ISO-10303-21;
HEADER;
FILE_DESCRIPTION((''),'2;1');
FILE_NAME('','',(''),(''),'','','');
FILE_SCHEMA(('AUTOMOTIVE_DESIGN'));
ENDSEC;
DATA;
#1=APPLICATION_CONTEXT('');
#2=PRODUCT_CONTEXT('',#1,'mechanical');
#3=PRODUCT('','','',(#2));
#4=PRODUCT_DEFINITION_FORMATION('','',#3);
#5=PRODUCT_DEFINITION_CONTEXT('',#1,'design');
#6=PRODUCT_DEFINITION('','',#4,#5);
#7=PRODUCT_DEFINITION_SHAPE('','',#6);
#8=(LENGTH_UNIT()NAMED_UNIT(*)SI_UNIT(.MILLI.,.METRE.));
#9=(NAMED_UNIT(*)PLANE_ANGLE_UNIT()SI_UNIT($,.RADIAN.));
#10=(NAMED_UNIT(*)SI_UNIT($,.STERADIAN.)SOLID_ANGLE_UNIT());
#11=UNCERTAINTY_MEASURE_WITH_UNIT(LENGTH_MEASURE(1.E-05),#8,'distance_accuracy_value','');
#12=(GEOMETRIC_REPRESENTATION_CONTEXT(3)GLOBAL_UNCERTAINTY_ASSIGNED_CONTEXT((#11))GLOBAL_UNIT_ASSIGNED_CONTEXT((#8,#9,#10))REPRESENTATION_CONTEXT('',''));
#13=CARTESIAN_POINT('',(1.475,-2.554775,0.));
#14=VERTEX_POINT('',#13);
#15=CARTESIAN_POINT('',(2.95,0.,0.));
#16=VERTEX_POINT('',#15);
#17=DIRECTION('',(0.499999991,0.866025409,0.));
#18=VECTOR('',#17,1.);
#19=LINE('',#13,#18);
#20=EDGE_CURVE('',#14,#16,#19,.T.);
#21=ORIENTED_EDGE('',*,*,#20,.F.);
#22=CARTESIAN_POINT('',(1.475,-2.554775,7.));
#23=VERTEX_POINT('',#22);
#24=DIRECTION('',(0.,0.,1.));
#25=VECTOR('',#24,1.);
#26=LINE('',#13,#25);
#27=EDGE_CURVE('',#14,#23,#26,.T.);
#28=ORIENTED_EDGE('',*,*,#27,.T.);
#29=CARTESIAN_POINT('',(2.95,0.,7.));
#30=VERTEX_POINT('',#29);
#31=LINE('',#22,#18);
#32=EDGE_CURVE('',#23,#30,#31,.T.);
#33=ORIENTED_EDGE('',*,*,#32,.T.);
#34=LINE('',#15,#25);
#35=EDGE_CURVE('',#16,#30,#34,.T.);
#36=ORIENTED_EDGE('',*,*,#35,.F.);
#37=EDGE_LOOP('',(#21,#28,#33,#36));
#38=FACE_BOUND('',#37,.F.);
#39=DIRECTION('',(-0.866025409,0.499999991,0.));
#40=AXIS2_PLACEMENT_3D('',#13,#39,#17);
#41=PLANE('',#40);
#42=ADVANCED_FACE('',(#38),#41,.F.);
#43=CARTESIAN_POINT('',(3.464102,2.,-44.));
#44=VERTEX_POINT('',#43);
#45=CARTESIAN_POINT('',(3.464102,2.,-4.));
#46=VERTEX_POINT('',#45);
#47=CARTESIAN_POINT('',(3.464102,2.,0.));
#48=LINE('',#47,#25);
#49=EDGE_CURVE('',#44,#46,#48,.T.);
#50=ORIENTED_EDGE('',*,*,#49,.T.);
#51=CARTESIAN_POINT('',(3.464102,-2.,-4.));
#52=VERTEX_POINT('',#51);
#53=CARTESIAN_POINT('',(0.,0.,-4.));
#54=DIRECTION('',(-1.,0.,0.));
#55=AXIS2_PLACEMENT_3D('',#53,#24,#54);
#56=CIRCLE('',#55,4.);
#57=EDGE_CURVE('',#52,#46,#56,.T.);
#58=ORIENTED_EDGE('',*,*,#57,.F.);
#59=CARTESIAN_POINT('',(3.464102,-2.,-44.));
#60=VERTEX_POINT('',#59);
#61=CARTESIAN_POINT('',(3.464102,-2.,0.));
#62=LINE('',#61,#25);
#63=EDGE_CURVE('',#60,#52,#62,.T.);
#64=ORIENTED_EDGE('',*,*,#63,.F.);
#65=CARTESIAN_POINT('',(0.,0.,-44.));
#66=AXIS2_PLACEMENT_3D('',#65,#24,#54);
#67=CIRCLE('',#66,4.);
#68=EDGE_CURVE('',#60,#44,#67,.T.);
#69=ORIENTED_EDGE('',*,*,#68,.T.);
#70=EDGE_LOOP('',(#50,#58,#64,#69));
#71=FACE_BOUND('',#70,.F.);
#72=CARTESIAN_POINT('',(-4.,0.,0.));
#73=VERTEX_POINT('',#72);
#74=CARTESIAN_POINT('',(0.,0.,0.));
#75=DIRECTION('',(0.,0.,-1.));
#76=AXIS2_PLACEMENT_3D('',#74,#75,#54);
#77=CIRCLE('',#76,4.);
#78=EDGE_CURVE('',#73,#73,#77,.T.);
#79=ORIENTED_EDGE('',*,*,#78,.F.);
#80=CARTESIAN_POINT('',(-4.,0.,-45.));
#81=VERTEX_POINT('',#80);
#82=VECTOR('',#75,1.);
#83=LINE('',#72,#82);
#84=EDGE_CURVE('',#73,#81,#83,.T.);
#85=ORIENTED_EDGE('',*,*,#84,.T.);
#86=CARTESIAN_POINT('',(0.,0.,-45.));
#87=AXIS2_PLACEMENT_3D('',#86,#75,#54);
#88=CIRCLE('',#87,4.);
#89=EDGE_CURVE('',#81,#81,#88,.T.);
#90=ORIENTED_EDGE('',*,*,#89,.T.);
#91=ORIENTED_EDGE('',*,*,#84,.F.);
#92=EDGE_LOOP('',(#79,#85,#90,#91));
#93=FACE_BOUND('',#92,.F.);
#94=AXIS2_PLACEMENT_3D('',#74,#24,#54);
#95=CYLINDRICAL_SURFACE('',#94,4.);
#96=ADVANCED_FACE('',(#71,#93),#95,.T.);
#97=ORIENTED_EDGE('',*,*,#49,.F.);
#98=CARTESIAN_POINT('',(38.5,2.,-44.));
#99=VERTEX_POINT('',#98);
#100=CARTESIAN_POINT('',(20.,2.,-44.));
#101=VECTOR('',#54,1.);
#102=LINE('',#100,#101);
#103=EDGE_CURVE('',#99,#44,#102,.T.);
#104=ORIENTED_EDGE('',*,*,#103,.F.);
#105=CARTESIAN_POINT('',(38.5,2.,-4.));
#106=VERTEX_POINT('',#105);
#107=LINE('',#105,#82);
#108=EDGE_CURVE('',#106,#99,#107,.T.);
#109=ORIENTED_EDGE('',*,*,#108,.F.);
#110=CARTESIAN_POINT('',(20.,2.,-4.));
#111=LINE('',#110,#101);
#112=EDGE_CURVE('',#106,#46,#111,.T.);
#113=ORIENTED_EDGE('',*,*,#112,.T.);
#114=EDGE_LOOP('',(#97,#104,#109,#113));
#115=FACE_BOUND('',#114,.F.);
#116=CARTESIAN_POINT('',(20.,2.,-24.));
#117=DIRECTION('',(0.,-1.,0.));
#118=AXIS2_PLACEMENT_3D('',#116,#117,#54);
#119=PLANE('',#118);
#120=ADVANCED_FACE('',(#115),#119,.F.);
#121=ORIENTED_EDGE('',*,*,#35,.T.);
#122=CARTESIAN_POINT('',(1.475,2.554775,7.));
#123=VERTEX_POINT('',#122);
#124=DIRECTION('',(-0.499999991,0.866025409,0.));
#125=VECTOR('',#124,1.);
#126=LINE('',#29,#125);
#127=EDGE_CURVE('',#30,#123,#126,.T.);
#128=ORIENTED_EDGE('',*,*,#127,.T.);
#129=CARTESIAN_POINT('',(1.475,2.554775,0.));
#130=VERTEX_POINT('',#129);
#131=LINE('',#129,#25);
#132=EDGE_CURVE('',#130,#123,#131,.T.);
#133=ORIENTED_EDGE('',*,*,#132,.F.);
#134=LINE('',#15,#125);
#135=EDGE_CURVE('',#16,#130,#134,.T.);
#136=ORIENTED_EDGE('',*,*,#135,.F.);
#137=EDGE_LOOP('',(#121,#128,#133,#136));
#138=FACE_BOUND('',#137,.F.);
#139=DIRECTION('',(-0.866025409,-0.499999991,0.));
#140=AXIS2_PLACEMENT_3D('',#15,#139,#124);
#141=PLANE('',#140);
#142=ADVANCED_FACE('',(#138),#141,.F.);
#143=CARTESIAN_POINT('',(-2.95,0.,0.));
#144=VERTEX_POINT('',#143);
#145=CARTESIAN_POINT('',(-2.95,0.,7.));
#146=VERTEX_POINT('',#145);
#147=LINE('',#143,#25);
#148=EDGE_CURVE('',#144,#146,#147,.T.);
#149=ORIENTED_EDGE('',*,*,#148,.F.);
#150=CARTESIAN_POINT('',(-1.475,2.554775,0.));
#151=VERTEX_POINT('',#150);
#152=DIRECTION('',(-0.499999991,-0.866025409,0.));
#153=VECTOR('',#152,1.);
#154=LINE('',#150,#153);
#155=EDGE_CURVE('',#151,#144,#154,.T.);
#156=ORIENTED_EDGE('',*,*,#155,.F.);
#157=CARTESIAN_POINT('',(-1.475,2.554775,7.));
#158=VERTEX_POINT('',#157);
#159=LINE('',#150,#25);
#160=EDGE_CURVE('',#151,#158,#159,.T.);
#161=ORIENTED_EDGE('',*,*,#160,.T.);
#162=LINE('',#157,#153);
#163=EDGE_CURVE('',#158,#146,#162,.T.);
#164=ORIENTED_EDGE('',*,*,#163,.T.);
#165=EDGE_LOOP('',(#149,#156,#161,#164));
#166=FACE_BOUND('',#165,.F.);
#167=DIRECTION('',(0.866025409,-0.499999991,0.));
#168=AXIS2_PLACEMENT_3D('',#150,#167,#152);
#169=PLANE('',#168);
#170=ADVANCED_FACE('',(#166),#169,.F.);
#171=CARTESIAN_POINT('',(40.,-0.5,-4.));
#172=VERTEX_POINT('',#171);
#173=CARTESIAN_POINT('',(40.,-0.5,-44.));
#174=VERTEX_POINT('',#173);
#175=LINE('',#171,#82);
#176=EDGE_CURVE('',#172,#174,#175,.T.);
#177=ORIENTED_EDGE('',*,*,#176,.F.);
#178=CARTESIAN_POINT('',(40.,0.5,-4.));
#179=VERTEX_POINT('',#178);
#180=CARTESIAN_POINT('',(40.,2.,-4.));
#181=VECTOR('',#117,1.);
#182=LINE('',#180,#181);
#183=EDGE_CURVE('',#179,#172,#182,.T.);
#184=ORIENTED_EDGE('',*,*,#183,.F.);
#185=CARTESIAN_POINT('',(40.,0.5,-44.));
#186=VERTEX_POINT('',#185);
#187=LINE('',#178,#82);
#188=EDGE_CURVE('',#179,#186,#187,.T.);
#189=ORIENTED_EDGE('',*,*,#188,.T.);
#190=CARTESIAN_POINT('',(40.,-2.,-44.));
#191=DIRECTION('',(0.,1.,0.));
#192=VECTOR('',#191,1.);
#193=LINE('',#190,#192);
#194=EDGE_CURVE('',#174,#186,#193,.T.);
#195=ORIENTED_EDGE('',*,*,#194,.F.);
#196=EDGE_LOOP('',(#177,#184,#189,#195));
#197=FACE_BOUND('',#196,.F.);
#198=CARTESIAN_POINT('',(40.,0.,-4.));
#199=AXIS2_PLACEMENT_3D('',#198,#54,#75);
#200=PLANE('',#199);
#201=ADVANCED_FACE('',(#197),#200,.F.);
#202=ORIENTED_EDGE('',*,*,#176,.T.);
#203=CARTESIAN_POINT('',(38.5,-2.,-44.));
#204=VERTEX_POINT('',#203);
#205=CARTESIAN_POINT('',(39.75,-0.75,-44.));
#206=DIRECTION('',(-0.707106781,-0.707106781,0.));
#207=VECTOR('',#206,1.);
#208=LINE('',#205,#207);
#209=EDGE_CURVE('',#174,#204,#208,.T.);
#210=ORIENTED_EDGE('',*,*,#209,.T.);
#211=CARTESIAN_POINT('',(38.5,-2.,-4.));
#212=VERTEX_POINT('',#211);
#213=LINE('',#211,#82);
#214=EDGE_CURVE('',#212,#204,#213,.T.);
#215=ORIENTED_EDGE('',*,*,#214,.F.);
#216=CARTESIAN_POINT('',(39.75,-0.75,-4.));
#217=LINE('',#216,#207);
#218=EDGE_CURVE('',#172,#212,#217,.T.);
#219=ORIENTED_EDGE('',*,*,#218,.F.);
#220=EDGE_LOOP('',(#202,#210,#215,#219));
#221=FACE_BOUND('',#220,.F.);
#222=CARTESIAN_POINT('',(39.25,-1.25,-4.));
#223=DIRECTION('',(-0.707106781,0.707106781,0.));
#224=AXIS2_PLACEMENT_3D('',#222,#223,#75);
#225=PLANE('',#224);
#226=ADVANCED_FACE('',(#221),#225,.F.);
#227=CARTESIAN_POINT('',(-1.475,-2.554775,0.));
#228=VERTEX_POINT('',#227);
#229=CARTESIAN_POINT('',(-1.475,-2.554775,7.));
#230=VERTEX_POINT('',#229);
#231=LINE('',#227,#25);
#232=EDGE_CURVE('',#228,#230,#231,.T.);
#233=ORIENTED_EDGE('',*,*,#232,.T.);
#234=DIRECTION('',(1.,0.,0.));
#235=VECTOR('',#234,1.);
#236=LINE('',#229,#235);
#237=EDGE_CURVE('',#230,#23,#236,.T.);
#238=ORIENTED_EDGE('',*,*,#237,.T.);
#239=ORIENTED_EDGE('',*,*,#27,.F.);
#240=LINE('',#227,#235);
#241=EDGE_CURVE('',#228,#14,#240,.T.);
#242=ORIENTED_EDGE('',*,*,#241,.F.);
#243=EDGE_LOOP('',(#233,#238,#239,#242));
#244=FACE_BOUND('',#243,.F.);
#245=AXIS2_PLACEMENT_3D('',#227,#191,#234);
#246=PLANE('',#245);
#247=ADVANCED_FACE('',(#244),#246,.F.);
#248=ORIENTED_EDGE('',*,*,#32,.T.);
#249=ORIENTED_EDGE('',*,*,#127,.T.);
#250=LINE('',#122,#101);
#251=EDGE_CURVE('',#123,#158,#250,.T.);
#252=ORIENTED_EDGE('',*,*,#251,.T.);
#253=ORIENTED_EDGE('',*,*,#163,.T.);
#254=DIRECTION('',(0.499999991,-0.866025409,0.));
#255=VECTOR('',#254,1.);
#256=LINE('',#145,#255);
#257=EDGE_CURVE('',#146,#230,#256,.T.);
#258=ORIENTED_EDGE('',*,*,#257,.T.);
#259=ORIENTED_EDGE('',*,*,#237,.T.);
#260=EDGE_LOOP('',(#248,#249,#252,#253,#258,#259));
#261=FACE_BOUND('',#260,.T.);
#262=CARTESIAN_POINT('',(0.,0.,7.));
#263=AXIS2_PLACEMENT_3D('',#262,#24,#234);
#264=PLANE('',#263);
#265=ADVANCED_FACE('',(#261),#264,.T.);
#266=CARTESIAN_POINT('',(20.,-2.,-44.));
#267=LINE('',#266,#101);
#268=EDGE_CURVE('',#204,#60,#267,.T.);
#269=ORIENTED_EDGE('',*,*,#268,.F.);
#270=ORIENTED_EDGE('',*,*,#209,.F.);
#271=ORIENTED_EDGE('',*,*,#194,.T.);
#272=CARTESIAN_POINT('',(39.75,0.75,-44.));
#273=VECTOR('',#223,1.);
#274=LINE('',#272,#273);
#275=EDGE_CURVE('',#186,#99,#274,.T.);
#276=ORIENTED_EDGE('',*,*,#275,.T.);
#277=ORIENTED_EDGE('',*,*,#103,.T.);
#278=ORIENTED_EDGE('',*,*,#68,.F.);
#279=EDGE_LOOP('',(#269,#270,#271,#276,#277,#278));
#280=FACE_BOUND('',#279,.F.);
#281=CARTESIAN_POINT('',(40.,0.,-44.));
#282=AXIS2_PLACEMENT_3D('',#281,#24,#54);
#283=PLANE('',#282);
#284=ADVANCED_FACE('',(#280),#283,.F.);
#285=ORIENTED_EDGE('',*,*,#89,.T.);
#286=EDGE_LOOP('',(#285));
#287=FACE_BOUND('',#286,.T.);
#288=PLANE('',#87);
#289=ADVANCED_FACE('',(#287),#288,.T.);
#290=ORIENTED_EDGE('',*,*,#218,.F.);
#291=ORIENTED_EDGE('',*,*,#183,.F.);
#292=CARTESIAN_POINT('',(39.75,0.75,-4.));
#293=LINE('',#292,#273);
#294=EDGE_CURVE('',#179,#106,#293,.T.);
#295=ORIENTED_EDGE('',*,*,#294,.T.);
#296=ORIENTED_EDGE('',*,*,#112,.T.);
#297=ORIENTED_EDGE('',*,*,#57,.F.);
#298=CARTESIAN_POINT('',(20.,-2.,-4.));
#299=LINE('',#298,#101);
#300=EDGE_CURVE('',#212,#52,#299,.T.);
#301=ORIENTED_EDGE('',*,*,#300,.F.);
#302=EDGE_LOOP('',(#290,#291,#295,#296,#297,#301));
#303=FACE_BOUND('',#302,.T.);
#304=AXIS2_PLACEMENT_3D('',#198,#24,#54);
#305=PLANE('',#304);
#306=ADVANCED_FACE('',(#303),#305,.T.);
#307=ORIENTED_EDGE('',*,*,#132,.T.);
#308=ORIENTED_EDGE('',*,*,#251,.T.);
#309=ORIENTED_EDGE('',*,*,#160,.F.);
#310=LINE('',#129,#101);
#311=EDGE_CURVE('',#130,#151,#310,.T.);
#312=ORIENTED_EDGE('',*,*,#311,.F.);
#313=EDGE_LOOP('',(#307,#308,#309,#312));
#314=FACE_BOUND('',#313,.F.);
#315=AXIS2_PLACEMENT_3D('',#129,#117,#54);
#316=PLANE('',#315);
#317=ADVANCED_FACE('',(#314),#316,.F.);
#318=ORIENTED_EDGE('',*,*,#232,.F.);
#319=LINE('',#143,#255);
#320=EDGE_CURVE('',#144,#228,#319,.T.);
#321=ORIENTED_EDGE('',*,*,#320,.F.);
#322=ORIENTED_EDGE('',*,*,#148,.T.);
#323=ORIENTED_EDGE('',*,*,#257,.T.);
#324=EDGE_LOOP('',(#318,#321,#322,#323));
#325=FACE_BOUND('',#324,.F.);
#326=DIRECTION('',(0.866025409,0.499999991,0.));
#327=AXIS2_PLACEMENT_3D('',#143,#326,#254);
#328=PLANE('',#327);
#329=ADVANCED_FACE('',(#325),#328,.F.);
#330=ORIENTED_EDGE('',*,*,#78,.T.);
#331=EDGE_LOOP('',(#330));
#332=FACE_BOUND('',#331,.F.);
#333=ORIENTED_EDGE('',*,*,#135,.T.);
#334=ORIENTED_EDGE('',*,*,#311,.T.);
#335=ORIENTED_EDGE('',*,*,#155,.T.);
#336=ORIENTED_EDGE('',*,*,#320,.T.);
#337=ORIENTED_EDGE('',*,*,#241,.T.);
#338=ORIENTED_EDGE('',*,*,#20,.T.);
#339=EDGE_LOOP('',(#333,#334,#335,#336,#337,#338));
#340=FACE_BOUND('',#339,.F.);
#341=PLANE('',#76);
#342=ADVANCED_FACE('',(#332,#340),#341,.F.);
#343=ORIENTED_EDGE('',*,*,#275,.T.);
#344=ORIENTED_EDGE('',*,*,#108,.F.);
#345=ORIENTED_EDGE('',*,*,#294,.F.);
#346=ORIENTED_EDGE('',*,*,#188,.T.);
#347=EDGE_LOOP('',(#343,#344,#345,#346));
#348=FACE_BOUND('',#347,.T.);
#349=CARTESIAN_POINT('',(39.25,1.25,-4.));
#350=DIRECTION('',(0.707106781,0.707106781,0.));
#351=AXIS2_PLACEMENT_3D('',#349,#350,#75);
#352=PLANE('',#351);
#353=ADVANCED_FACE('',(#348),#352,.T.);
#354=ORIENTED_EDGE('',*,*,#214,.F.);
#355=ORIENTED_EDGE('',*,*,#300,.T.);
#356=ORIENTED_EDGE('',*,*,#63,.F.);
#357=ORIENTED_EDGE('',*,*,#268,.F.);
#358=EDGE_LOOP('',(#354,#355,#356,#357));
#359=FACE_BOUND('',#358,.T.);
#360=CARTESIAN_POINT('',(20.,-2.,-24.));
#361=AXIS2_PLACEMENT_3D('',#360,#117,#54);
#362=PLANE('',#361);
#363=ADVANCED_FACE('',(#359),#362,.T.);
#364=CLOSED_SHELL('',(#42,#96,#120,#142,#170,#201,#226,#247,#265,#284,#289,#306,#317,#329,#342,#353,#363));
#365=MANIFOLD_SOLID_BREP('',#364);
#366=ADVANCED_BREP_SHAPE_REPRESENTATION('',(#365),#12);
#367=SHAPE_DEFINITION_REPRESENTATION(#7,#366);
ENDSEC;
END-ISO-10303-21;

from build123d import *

# Parameters (mm, degrees)
SKETCH015_W               = 40
SKETCH015_H               = 40
EXTRUDE017_DEPTH          = 2
CHAMFER_SIZE              = 1.5
EXTRUDE023_DEPTH          = 7
SKETCH014_R               = 4
EXTRUDE016_DEPTH          = 45
FUSION007_PLACEMENT_ANGLE = 180


with BuildPart() as chamfer_body:
    # Sketch015 (on Extrude) → Extrude017 (new body, symmetric)
    with BuildSketch(Plane.XZ):
        with Locations((-20, 24)):
            Rectangle(SKETCH015_W, SKETCH015_H)
    extrude(amount=EXTRUDE017_DEPTH, both=True)

    # Chamfer
    chamfer_edges = [chamfer_body.edges().sort_by_distance(p)[0] for p in [
        (-40, 2, 24),
        (-40, -2, 24),
    ]]
    chamfer(chamfer_edges, length=CHAMFER_SIZE)


with BuildPart() as extrude023:
    # Sketch018 → Extrude023 (new body)
    with BuildSketch(Plane.XY):
        Polygon((-1.475, 2.554775), (1.475, 2.554775), (2.95, 0), (1.475, -2.554775), (-1.475, -2.554775), (-2.95, 0), align=None)
    extrude(amount=-EXTRUDE023_DEPTH)


with BuildPart() as flap:
    # Sketch014 → Extrude016 (new body)
    with BuildSketch(Plane.XY):
        Circle(SKETCH014_R)
    extrude(amount=EXTRUDE016_DEPTH)

    # Fusion007: union Chamfer body, Extrude023
    add(chamfer_body.part)
    add(extrude023.part)


with BuildPart() as flap_1:
    # Fusion007 placement: moved
    add(flap.part.rotate(Axis((0, 0, 0), (0, 1, 0)), FUSION007_PLACEMENT_ANGLE))


solid = flap_1.part
